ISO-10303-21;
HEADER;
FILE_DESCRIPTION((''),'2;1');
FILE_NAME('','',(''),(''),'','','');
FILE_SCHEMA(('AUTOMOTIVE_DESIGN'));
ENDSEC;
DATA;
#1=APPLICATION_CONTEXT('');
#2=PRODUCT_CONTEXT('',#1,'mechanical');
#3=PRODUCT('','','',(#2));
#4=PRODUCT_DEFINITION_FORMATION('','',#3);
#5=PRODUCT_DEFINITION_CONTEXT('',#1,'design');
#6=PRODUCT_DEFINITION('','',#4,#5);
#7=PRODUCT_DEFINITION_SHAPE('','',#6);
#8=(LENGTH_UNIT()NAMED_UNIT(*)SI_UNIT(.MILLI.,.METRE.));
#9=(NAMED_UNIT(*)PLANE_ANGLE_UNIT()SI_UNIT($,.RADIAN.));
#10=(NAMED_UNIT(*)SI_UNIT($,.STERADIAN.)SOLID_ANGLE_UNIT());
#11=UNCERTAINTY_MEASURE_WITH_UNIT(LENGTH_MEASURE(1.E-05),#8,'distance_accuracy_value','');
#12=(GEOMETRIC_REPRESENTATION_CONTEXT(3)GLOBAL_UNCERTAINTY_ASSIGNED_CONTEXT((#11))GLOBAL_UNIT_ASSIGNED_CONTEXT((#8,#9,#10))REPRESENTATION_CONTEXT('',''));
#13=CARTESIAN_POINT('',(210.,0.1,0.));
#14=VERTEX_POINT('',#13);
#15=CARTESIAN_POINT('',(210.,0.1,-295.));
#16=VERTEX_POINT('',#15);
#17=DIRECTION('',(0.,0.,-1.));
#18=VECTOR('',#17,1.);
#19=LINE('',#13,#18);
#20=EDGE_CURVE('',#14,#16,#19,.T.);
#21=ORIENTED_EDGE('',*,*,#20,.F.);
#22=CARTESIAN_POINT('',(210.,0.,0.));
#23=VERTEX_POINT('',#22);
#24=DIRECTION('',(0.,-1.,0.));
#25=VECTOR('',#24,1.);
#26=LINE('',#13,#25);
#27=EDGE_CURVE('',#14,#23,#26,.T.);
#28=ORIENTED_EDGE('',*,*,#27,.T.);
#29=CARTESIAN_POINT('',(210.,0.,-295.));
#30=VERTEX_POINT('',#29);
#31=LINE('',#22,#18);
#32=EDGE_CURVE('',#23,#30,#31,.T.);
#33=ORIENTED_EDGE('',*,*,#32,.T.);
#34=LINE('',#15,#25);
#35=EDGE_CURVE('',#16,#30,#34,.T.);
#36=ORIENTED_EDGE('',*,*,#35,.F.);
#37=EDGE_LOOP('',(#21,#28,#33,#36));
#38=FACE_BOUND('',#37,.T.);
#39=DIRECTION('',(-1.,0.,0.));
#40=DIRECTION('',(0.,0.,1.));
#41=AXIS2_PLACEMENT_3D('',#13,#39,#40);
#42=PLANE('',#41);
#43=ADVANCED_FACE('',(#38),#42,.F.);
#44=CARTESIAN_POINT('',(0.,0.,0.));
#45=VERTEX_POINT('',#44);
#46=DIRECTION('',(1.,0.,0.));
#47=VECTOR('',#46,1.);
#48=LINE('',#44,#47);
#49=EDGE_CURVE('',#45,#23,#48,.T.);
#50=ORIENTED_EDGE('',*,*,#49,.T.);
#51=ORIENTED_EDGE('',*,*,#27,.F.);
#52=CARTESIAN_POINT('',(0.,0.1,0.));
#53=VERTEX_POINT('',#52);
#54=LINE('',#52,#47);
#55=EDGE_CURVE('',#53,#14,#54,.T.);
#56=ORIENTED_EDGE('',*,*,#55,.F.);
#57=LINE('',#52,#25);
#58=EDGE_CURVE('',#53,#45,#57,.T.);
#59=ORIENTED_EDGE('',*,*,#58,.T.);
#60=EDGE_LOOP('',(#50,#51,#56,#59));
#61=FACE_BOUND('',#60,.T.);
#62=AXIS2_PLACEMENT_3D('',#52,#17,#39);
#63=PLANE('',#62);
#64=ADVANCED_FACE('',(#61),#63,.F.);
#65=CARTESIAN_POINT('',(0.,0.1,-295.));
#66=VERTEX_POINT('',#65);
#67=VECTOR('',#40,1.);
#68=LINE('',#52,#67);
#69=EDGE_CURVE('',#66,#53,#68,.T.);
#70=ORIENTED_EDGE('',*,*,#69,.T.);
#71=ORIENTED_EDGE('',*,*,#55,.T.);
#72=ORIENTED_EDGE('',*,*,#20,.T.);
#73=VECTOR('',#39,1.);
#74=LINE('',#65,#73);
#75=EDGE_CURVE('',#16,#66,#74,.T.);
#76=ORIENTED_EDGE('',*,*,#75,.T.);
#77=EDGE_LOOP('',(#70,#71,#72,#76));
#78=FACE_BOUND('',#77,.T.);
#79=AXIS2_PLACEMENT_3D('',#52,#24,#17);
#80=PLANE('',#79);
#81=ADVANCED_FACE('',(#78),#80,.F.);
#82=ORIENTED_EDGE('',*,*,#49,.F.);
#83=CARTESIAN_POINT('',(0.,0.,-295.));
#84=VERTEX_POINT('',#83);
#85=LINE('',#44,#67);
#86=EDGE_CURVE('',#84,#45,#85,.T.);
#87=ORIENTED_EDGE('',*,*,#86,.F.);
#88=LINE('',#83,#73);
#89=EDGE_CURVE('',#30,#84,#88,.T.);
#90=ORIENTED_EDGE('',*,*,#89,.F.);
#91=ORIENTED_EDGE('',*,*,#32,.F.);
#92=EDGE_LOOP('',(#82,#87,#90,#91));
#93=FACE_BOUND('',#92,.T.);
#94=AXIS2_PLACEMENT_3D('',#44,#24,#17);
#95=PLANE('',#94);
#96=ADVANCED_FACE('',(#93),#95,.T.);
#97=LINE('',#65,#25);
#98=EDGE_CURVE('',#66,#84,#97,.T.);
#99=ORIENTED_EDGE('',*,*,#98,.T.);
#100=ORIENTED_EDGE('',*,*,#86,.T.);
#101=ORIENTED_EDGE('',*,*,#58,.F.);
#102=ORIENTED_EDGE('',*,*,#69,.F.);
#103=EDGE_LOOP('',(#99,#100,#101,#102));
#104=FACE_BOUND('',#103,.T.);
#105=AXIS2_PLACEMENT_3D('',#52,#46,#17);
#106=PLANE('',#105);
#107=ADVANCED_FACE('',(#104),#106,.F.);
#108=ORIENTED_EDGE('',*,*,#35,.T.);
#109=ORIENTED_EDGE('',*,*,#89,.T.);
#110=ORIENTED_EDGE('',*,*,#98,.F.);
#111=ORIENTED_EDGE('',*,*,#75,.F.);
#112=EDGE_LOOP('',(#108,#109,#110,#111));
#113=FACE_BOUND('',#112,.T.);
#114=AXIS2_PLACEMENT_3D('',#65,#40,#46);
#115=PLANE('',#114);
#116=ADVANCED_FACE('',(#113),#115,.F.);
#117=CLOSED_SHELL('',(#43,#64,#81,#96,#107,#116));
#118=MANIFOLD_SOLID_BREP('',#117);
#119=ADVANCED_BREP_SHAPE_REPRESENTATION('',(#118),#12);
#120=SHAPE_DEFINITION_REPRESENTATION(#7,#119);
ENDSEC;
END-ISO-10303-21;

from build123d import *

# Parameters (mm, degrees)
SKETCH1_W           = 210
SKETCH1_H           = 295
BOSS_EXTRUDE1_DEPTH = 0.1


with BuildPart() as part:
    # Sketch1 → Boss-Extrude1 (new body)
    with BuildSketch(Plane(origin=(0, 0, 0), x_dir=(1, 0, 0), z_dir=(0, 1, 0))):
        with Locations((105, 147.5)):
            Rectangle(SKETCH1_W, SKETCH1_H)
    extrude(amount=BOSS_EXTRUDE1_DEPTH)


solid = part.part
